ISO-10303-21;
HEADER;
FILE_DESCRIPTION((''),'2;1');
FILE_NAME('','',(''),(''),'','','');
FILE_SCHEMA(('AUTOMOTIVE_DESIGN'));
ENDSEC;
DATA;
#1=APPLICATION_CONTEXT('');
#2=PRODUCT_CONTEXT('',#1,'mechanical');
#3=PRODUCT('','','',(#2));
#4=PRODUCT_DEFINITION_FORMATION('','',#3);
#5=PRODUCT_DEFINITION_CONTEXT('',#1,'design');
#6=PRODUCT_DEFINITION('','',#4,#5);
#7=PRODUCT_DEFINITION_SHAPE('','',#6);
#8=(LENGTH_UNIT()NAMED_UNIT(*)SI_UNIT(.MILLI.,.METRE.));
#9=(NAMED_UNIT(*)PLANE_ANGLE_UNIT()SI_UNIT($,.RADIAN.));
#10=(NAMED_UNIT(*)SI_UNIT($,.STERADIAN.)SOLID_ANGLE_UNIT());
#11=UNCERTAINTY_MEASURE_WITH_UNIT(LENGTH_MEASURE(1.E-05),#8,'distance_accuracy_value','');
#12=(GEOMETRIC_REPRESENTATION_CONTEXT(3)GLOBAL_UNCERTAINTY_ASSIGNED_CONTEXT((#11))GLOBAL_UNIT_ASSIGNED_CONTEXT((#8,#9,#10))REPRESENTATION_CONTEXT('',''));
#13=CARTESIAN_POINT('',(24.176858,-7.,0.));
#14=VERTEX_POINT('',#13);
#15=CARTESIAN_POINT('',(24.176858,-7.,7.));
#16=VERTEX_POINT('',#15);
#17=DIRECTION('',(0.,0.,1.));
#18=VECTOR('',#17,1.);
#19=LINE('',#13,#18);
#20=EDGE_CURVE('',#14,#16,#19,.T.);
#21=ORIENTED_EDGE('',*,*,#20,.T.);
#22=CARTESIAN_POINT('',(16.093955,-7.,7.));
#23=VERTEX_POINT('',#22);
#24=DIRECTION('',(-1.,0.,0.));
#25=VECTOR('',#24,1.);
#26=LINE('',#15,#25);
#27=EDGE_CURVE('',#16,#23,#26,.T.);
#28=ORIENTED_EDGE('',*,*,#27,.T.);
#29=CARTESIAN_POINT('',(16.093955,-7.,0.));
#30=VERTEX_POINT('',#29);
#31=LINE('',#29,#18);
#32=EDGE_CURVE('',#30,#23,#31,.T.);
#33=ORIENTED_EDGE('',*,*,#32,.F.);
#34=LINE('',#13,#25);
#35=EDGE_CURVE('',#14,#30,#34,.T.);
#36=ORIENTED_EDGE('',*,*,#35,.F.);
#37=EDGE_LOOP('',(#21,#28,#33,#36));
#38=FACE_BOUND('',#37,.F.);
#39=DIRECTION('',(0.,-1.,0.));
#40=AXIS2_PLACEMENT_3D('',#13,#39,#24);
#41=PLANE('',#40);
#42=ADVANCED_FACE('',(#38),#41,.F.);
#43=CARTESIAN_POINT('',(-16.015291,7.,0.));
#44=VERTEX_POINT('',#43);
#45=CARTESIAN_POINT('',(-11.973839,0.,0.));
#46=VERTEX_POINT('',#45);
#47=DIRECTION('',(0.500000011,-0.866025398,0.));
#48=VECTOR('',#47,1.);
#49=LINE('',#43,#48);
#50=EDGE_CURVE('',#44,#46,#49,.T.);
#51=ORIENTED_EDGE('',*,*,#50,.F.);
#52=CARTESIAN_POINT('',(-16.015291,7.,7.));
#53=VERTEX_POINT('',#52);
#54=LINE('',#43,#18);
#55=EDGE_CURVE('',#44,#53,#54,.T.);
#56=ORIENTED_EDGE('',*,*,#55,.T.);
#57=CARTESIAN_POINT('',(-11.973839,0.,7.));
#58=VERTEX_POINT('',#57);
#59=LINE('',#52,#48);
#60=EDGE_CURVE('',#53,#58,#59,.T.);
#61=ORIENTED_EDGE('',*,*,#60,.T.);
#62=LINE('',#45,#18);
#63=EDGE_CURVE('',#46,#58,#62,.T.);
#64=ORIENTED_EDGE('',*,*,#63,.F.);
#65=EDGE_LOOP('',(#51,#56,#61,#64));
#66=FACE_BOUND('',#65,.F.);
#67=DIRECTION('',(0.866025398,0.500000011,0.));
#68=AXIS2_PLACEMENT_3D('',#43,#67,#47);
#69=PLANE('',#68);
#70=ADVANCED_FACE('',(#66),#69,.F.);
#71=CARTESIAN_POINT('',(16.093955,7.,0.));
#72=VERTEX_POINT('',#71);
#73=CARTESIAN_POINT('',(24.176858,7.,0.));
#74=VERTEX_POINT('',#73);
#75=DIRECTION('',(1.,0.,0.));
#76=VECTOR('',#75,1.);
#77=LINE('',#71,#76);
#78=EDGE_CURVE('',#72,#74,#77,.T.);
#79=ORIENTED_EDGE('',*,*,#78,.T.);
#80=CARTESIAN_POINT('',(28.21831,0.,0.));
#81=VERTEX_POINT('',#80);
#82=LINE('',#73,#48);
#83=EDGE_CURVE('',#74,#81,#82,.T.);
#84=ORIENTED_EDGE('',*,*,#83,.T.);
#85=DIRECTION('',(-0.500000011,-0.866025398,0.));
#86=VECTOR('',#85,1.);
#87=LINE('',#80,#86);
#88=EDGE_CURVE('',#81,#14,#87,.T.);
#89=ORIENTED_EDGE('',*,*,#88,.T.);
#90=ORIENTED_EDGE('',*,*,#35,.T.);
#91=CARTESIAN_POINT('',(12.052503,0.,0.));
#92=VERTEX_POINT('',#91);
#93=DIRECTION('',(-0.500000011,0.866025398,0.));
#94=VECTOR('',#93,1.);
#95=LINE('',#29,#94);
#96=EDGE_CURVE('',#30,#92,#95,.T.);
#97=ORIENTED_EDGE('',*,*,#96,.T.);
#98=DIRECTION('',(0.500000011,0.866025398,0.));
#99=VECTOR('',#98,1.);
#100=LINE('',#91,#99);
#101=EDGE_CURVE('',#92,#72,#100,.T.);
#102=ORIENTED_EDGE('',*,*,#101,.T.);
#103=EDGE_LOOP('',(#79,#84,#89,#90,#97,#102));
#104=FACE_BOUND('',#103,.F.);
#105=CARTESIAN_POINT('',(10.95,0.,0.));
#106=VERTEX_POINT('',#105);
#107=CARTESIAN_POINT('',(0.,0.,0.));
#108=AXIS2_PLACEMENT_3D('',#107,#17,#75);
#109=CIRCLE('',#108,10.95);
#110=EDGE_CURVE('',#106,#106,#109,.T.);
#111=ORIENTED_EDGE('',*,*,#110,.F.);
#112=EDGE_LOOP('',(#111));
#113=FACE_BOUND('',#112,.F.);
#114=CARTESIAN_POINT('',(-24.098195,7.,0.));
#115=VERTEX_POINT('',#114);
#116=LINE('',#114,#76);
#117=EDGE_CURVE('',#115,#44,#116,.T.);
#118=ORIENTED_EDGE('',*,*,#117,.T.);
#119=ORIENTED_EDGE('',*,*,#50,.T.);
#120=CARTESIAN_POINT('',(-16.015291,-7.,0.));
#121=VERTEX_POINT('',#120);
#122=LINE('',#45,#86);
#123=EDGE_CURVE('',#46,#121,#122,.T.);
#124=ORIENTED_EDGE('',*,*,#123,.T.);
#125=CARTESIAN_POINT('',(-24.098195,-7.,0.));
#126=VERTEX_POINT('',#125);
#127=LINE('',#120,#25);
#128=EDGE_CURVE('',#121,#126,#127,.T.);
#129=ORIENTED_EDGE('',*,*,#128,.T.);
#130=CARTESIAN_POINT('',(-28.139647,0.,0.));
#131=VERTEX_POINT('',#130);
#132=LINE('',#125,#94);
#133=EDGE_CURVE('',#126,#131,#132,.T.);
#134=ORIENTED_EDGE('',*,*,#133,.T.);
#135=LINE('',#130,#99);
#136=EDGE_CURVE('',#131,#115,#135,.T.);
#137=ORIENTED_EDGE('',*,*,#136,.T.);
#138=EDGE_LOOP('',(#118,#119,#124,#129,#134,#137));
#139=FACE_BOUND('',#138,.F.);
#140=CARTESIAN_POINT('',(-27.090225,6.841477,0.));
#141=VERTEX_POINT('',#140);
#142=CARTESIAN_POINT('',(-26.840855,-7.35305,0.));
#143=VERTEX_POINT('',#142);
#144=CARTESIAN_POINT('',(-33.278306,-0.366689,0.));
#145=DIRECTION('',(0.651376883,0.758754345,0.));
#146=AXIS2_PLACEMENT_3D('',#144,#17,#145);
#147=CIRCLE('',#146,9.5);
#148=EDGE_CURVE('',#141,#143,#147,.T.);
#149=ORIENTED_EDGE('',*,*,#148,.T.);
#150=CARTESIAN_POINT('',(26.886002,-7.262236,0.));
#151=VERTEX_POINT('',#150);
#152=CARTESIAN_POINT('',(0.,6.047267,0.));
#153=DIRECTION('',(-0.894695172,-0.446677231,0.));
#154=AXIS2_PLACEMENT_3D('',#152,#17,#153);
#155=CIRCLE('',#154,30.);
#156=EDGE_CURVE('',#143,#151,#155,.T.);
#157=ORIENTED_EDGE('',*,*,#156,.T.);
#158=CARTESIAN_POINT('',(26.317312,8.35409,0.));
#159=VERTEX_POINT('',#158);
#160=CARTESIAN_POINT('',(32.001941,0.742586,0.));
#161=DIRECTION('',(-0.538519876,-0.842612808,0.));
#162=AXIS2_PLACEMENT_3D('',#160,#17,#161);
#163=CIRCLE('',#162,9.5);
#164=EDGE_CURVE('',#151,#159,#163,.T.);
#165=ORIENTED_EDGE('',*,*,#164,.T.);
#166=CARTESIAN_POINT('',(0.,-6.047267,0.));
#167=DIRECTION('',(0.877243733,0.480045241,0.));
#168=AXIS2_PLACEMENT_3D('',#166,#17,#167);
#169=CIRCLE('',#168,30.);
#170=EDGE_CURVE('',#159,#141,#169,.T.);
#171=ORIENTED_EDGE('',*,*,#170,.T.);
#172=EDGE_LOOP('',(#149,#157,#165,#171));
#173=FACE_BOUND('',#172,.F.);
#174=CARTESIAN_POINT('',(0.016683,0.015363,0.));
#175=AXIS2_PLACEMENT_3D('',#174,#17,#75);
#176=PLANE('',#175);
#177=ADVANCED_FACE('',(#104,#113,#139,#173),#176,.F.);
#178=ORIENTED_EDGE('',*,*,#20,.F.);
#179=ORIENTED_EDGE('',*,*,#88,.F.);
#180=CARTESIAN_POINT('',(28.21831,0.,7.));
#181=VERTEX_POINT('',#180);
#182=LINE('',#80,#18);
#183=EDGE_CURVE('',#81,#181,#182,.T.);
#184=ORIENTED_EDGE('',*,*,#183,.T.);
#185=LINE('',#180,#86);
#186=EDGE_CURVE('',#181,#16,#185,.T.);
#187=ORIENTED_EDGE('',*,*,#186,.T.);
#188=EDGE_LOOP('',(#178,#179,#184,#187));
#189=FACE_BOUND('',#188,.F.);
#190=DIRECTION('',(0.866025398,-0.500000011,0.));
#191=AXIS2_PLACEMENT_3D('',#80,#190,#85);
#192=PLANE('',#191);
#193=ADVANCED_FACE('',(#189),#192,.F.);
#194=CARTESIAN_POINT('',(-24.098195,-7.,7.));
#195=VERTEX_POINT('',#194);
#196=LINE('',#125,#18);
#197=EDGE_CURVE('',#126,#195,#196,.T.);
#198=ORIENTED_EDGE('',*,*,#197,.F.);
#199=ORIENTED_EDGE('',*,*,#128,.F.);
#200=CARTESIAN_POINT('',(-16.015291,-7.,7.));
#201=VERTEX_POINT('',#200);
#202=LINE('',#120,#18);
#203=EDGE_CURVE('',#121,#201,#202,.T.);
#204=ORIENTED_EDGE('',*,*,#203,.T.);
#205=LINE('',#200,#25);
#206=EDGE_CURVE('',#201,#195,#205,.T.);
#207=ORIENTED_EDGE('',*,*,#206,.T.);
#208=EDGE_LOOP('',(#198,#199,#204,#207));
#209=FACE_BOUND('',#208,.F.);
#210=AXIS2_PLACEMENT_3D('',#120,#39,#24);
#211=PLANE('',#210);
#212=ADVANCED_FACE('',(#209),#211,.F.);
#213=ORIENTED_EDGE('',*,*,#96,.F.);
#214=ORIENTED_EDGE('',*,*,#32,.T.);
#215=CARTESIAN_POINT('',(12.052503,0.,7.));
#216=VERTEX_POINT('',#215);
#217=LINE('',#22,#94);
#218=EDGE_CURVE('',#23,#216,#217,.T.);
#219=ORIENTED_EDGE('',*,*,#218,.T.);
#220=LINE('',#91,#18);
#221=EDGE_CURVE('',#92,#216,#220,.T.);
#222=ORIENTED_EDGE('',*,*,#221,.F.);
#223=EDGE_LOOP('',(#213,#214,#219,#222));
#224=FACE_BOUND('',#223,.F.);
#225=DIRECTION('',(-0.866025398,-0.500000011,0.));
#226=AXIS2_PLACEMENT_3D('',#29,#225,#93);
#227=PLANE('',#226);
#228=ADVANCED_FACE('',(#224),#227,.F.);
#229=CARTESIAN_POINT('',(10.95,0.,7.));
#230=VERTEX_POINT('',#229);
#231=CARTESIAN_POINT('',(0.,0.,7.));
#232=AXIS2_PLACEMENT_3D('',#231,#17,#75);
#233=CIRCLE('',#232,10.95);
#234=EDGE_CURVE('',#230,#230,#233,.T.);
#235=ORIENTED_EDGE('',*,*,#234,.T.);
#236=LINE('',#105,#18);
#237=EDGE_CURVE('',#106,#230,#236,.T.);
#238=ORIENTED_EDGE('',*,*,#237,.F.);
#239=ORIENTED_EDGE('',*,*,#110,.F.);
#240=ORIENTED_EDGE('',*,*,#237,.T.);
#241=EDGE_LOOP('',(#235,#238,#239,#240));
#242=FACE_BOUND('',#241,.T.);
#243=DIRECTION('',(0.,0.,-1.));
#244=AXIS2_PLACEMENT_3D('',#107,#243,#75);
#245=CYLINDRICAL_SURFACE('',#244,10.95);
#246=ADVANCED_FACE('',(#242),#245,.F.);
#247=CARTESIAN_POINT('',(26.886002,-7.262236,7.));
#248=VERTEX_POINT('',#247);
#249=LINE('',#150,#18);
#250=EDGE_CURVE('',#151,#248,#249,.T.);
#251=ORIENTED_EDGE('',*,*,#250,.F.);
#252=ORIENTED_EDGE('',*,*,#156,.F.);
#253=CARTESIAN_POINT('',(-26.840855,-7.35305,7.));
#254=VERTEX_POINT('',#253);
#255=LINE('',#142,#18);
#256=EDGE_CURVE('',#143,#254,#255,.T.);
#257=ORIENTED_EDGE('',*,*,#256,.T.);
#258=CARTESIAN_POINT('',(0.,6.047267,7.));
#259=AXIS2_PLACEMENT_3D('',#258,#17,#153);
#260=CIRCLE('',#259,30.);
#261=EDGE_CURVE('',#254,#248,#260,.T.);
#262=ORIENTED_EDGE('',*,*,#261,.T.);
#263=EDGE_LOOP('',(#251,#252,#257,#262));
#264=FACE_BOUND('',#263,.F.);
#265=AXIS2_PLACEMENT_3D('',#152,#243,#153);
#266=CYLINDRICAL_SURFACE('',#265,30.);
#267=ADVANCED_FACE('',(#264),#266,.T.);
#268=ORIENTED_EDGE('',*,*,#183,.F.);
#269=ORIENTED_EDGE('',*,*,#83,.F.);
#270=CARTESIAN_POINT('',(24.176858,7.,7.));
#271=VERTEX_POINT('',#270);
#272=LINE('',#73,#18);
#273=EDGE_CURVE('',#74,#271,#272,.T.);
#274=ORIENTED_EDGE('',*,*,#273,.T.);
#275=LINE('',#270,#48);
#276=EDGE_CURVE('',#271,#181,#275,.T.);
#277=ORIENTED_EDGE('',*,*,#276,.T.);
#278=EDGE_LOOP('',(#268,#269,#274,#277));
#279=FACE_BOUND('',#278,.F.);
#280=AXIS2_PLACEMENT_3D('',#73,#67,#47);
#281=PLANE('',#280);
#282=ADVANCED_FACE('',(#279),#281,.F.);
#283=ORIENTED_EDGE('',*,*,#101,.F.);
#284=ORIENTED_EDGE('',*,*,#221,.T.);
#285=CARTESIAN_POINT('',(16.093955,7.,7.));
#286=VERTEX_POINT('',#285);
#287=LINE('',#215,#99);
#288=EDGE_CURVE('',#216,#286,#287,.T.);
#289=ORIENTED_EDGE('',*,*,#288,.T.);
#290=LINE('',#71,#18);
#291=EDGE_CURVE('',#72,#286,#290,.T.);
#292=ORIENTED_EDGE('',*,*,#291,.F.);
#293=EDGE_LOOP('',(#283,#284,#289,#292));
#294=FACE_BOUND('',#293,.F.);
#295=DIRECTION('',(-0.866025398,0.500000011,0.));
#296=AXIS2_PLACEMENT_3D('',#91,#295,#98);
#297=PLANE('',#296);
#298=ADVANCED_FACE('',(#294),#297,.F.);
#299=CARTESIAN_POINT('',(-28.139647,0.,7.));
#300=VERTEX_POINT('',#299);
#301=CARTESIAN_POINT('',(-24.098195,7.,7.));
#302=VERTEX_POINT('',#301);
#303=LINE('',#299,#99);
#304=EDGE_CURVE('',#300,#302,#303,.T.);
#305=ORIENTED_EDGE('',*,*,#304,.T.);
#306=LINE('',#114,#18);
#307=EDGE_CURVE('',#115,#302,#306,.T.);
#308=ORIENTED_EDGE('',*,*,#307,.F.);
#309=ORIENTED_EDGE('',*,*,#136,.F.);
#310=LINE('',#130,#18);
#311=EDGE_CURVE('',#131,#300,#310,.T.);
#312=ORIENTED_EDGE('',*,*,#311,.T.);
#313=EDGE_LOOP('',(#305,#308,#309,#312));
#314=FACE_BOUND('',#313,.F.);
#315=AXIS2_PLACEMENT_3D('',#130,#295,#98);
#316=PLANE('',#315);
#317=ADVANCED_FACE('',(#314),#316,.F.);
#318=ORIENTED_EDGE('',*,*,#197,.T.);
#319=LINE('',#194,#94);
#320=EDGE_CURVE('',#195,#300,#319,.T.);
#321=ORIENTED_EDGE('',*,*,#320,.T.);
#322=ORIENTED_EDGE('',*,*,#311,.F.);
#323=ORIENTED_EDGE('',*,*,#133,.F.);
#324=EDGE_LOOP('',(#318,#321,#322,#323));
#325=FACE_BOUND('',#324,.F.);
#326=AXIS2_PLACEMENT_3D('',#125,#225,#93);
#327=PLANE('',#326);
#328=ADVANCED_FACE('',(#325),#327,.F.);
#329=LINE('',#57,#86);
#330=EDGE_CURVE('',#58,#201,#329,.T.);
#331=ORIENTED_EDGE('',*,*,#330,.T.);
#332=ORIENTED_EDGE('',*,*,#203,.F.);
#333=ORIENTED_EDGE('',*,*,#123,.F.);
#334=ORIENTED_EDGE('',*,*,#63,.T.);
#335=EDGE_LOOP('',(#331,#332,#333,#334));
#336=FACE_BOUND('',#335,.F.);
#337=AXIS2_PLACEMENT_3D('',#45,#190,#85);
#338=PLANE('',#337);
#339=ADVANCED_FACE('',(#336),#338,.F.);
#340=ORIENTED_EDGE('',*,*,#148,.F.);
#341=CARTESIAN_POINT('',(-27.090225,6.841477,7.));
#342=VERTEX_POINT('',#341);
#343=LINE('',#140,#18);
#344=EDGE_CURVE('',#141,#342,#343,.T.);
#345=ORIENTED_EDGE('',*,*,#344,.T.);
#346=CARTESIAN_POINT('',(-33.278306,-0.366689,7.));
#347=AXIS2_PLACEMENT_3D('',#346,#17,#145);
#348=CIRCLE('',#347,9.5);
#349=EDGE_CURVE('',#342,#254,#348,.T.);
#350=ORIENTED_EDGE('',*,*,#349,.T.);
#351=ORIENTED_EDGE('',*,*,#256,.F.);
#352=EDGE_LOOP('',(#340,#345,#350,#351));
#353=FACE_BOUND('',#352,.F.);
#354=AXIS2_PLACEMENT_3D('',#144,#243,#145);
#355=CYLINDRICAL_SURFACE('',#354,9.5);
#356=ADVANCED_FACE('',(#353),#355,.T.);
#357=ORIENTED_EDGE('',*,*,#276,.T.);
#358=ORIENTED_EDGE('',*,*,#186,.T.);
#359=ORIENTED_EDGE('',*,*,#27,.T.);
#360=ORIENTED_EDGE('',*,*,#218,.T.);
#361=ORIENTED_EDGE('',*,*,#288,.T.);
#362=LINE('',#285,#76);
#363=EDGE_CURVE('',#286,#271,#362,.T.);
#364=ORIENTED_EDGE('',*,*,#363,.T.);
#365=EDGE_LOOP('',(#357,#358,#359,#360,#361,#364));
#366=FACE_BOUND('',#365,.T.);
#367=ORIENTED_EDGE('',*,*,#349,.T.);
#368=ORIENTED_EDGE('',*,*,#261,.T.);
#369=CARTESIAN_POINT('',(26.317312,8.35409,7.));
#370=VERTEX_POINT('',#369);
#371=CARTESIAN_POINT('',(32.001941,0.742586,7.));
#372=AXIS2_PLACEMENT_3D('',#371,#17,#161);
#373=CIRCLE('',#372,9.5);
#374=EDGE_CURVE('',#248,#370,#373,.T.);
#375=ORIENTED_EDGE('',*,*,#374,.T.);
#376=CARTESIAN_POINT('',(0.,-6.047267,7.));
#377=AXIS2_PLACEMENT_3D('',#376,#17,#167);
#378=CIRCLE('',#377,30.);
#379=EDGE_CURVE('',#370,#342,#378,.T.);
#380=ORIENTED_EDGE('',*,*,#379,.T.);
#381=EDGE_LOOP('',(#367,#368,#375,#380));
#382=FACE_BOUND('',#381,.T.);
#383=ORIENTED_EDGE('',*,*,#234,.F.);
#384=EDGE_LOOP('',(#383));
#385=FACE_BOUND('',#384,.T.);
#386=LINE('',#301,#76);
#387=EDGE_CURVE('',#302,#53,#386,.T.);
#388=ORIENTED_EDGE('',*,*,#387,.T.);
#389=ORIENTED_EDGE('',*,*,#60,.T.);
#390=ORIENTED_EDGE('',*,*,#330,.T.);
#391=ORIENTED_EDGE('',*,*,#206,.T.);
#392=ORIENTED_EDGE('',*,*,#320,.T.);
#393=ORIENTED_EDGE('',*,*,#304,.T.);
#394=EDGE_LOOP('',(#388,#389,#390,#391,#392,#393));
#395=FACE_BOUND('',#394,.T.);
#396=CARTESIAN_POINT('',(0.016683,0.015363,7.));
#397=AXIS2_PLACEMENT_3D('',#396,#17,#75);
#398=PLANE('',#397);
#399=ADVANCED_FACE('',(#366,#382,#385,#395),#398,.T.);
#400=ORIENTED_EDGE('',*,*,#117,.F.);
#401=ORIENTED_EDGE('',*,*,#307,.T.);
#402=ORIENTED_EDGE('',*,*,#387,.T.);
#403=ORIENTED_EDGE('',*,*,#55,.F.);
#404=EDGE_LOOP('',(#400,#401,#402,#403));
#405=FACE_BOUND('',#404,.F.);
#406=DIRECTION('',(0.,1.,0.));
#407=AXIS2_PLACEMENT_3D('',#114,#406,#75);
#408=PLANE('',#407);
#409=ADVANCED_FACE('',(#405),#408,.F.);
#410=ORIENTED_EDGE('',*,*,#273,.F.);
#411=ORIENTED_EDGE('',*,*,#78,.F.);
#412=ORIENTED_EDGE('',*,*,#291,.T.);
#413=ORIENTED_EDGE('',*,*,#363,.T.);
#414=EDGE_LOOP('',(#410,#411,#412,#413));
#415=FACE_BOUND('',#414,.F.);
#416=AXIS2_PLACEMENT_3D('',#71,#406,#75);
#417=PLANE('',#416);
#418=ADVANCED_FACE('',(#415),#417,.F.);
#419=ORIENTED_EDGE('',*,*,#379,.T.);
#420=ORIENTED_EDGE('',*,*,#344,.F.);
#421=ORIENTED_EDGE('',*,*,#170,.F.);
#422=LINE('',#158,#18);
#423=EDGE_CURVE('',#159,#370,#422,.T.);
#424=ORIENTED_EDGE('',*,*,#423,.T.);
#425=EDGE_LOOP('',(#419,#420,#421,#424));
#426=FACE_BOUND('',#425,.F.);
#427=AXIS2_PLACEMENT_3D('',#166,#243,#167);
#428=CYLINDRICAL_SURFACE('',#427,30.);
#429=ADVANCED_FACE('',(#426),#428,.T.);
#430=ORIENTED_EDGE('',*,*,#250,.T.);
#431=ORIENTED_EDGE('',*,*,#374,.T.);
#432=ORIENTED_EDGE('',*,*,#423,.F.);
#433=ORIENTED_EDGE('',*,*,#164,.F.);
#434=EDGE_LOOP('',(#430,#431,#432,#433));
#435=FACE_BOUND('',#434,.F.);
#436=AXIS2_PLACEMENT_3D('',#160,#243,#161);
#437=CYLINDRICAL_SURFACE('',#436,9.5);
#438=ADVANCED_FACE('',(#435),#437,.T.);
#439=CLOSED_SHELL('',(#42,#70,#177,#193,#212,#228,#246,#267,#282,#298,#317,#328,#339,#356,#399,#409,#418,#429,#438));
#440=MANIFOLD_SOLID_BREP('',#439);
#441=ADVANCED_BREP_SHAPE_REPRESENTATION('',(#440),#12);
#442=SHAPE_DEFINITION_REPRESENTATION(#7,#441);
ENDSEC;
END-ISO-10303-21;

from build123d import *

# Parameters (mm, degrees)
F0_R     = 10.95
F1_DEPTH = 7


with BuildPart() as f1:
    # F0 (on Top) → F1 (new body)
    with BuildSketch(Plane.XY):
        with BuildLine():
            ThreePointArc((26.886002, -7.262236), (28.368444, -3.711389), (29.384189, 0))
            ThreePointArc((29.384189, 0), (28.162244, 4.291398), (26.317312, 8.35409))
            ThreePointArc((26.317312, 8.35409), (-0.849322, 23.940708), (-27.090225, 6.841477))
            ThreePointArc((-27.090225, 6.841477), (-28.443651, 3.48996), (-29.384189, 0))
            ThreePointArc((-29.384189, 0), (-28.351909, -3.759326), (-26.840855, -7.35305))
            ThreePointArc((-26.840855, -7.35305), (0.050708, -23.95269), (26.886002, -7.262236))
        make_face()
        Polygon((-28.139647, 0), (-24.098195, 7), (-16.015291, 7), (-11.973839, 0), (-16.015291, -7), (-24.098195, -7), align=None, mode=Mode.SUBTRACT)
        Circle(F0_R, mode=Mode.SUBTRACT)
        Polygon((28.21831, 0), (24.176858, -7), (16.093955, -7), (12.052503, 0), (16.093955, 7), (24.176858, 7), align=None, mode=Mode.SUBTRACT)
        with BuildLine():
            ThreePointArc((-29.384189, 0), (-28.443651, 3.48996), (-27.090225, 6.841477))
            ThreePointArc((-27.090225, 6.841477), (-42.77684, -0.53356), (-26.840855, -7.35305))
            ThreePointArc((-26.840855, -7.35305), (-28.351909, -3.759326), (-29.384189, 0))
        make_face()
        with BuildLine():
            ThreePointArc((26.317312, 8.35409), (28.162244, 4.291398), (29.384189, 0))
            ThreePointArc((29.384189, 0), (28.368444, -3.711389), (26.886002, -7.262236))
            ThreePointArc((26.886002, -7.262236), (41.495648, 1.088313), (26.317312, 8.35409))
        make_face()
    extrude(amount=F1_DEPTH)


solid = f1.part
